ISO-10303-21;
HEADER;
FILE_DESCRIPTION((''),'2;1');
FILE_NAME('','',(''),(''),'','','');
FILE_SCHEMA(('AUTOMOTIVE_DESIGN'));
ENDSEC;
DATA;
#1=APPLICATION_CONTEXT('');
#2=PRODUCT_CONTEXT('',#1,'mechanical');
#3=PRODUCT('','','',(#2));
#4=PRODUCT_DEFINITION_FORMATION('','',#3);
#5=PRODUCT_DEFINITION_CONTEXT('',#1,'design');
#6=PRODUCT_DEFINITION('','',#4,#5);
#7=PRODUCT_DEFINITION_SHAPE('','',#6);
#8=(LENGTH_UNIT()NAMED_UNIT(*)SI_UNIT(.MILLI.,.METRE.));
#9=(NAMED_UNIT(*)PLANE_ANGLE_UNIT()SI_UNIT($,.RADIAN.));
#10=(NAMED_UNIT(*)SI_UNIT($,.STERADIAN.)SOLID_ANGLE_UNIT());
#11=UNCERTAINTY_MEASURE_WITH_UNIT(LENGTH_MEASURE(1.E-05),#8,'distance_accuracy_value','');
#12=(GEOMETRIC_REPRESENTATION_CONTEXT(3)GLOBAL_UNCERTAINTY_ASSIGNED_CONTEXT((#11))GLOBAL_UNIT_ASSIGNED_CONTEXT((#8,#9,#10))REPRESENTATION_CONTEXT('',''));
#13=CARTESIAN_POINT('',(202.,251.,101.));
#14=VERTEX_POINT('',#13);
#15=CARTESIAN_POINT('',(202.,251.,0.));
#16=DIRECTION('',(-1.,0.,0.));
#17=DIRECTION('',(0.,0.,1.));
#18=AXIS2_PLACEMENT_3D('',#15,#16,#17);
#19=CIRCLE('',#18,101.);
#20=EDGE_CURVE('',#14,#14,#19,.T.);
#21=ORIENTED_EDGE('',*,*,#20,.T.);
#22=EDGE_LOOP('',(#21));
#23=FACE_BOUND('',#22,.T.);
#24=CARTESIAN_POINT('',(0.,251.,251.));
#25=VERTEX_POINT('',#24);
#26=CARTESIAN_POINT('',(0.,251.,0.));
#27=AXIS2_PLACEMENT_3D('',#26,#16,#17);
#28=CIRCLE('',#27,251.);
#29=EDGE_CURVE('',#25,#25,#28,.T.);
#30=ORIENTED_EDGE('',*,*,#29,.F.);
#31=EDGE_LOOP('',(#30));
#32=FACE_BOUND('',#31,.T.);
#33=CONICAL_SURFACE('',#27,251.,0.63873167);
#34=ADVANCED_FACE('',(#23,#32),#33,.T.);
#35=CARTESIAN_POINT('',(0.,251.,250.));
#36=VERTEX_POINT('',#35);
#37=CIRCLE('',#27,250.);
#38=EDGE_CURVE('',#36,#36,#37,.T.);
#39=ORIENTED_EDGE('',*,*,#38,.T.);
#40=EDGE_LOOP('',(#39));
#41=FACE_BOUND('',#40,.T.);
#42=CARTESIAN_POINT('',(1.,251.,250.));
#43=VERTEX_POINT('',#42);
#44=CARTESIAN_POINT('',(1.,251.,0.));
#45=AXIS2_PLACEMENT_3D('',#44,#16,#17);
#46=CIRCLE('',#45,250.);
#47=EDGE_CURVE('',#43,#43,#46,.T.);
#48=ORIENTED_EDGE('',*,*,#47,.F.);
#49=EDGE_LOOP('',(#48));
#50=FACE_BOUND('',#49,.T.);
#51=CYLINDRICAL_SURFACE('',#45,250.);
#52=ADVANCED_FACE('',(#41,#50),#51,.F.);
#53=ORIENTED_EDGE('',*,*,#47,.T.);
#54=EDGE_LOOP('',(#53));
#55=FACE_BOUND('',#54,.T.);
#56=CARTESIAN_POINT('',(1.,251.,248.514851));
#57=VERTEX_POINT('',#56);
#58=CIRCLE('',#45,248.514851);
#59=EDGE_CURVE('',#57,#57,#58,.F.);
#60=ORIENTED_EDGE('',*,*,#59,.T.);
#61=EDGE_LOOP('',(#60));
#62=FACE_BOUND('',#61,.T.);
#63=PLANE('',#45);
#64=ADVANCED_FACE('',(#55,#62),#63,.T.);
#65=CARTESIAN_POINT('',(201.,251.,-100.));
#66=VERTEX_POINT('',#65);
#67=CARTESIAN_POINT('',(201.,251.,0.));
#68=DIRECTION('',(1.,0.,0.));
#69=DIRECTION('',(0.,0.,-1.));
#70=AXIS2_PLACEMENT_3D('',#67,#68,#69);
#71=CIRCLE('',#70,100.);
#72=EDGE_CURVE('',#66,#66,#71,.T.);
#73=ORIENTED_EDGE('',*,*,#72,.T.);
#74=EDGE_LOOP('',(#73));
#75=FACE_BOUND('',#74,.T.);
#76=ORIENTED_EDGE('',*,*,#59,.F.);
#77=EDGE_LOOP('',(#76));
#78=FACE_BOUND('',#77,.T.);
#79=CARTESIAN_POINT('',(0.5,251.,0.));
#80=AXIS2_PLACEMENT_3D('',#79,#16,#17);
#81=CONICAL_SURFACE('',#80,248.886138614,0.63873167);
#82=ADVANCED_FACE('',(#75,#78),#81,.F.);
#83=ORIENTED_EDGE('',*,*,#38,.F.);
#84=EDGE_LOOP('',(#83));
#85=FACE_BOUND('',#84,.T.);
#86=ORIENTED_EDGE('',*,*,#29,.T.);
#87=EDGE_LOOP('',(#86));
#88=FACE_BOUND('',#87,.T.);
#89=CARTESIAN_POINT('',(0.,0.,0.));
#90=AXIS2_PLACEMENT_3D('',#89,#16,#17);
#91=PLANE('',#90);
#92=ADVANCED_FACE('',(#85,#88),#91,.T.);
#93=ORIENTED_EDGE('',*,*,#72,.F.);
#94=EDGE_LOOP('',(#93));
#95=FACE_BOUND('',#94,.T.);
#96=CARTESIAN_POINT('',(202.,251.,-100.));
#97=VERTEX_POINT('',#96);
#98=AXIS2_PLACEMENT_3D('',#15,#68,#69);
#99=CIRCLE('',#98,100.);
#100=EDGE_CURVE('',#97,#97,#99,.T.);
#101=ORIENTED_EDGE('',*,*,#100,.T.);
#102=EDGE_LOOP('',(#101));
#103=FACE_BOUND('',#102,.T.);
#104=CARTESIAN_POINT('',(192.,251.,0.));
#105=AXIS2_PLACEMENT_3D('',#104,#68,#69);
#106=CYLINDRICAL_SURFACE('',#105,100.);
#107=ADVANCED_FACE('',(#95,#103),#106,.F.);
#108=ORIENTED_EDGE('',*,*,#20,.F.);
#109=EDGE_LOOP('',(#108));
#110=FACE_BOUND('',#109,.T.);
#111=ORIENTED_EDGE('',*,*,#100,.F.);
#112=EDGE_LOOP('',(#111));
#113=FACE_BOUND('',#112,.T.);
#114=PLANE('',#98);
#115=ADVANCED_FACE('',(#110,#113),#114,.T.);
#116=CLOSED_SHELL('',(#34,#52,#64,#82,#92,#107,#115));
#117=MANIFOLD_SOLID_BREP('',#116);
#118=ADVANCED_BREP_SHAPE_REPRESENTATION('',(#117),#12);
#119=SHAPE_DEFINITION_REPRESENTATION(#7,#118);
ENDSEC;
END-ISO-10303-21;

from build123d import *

# Parameters (mm, degrees)
SKETCH4_R          = 100
CUT_EXTRUDE2_DEPTH = 10
SKETCH5_R          = 250
CUT_EXTRUDE4_DEPTH = 1
SKETCH6_R          = 1.241785282
CUT_EXTRUDE5_DEPTH = 201


with BuildPart() as part:
    # Sketch1 → Revolve2 (revolve)
    with BuildSketch(Plane.XY):
        Polygon((0, 0), (0, 251), (202, 251), (202, 150), align=None)
        Polygon((201, 249.758214718), (201, 151), (0.5, 2.113861386), (1, 249.758214718), align=None, mode=Mode.SUBTRACT)
    revolve(axis=Axis((0, 251, 0), (1, 0, 0)))

    # Sketch4 → Cut-Extrude2 (cut)
    with BuildSketch(Plane(origin=(202, 0, 0), x_dir=(0, 0, -1), z_dir=(1, 0, 0))):
        with Locations((0, 251)):
            Circle(SKETCH4_R)
    extrude(amount=-CUT_EXTRUDE2_DEPTH, mode=Mode.SUBTRACT)

    # Sketch5 → Cut-Extrude4 (cut)
    with BuildSketch(Plane.ZY):
        with Locations((0, 251)):
            Circle(SKETCH5_R)
    extrude(amount=-CUT_EXTRUDE4_DEPTH, mode=Mode.SUBTRACT)

    # Sketch6 → Cut-Extrude5 (cut)
    with BuildSketch(Plane.ZY.offset(-1)):
        with Locations((0, 251)):
            Circle(SKETCH6_R)
    extrude(amount=-CUT_EXTRUDE5_DEPTH, mode=Mode.SUBTRACT)


solid = part.part
